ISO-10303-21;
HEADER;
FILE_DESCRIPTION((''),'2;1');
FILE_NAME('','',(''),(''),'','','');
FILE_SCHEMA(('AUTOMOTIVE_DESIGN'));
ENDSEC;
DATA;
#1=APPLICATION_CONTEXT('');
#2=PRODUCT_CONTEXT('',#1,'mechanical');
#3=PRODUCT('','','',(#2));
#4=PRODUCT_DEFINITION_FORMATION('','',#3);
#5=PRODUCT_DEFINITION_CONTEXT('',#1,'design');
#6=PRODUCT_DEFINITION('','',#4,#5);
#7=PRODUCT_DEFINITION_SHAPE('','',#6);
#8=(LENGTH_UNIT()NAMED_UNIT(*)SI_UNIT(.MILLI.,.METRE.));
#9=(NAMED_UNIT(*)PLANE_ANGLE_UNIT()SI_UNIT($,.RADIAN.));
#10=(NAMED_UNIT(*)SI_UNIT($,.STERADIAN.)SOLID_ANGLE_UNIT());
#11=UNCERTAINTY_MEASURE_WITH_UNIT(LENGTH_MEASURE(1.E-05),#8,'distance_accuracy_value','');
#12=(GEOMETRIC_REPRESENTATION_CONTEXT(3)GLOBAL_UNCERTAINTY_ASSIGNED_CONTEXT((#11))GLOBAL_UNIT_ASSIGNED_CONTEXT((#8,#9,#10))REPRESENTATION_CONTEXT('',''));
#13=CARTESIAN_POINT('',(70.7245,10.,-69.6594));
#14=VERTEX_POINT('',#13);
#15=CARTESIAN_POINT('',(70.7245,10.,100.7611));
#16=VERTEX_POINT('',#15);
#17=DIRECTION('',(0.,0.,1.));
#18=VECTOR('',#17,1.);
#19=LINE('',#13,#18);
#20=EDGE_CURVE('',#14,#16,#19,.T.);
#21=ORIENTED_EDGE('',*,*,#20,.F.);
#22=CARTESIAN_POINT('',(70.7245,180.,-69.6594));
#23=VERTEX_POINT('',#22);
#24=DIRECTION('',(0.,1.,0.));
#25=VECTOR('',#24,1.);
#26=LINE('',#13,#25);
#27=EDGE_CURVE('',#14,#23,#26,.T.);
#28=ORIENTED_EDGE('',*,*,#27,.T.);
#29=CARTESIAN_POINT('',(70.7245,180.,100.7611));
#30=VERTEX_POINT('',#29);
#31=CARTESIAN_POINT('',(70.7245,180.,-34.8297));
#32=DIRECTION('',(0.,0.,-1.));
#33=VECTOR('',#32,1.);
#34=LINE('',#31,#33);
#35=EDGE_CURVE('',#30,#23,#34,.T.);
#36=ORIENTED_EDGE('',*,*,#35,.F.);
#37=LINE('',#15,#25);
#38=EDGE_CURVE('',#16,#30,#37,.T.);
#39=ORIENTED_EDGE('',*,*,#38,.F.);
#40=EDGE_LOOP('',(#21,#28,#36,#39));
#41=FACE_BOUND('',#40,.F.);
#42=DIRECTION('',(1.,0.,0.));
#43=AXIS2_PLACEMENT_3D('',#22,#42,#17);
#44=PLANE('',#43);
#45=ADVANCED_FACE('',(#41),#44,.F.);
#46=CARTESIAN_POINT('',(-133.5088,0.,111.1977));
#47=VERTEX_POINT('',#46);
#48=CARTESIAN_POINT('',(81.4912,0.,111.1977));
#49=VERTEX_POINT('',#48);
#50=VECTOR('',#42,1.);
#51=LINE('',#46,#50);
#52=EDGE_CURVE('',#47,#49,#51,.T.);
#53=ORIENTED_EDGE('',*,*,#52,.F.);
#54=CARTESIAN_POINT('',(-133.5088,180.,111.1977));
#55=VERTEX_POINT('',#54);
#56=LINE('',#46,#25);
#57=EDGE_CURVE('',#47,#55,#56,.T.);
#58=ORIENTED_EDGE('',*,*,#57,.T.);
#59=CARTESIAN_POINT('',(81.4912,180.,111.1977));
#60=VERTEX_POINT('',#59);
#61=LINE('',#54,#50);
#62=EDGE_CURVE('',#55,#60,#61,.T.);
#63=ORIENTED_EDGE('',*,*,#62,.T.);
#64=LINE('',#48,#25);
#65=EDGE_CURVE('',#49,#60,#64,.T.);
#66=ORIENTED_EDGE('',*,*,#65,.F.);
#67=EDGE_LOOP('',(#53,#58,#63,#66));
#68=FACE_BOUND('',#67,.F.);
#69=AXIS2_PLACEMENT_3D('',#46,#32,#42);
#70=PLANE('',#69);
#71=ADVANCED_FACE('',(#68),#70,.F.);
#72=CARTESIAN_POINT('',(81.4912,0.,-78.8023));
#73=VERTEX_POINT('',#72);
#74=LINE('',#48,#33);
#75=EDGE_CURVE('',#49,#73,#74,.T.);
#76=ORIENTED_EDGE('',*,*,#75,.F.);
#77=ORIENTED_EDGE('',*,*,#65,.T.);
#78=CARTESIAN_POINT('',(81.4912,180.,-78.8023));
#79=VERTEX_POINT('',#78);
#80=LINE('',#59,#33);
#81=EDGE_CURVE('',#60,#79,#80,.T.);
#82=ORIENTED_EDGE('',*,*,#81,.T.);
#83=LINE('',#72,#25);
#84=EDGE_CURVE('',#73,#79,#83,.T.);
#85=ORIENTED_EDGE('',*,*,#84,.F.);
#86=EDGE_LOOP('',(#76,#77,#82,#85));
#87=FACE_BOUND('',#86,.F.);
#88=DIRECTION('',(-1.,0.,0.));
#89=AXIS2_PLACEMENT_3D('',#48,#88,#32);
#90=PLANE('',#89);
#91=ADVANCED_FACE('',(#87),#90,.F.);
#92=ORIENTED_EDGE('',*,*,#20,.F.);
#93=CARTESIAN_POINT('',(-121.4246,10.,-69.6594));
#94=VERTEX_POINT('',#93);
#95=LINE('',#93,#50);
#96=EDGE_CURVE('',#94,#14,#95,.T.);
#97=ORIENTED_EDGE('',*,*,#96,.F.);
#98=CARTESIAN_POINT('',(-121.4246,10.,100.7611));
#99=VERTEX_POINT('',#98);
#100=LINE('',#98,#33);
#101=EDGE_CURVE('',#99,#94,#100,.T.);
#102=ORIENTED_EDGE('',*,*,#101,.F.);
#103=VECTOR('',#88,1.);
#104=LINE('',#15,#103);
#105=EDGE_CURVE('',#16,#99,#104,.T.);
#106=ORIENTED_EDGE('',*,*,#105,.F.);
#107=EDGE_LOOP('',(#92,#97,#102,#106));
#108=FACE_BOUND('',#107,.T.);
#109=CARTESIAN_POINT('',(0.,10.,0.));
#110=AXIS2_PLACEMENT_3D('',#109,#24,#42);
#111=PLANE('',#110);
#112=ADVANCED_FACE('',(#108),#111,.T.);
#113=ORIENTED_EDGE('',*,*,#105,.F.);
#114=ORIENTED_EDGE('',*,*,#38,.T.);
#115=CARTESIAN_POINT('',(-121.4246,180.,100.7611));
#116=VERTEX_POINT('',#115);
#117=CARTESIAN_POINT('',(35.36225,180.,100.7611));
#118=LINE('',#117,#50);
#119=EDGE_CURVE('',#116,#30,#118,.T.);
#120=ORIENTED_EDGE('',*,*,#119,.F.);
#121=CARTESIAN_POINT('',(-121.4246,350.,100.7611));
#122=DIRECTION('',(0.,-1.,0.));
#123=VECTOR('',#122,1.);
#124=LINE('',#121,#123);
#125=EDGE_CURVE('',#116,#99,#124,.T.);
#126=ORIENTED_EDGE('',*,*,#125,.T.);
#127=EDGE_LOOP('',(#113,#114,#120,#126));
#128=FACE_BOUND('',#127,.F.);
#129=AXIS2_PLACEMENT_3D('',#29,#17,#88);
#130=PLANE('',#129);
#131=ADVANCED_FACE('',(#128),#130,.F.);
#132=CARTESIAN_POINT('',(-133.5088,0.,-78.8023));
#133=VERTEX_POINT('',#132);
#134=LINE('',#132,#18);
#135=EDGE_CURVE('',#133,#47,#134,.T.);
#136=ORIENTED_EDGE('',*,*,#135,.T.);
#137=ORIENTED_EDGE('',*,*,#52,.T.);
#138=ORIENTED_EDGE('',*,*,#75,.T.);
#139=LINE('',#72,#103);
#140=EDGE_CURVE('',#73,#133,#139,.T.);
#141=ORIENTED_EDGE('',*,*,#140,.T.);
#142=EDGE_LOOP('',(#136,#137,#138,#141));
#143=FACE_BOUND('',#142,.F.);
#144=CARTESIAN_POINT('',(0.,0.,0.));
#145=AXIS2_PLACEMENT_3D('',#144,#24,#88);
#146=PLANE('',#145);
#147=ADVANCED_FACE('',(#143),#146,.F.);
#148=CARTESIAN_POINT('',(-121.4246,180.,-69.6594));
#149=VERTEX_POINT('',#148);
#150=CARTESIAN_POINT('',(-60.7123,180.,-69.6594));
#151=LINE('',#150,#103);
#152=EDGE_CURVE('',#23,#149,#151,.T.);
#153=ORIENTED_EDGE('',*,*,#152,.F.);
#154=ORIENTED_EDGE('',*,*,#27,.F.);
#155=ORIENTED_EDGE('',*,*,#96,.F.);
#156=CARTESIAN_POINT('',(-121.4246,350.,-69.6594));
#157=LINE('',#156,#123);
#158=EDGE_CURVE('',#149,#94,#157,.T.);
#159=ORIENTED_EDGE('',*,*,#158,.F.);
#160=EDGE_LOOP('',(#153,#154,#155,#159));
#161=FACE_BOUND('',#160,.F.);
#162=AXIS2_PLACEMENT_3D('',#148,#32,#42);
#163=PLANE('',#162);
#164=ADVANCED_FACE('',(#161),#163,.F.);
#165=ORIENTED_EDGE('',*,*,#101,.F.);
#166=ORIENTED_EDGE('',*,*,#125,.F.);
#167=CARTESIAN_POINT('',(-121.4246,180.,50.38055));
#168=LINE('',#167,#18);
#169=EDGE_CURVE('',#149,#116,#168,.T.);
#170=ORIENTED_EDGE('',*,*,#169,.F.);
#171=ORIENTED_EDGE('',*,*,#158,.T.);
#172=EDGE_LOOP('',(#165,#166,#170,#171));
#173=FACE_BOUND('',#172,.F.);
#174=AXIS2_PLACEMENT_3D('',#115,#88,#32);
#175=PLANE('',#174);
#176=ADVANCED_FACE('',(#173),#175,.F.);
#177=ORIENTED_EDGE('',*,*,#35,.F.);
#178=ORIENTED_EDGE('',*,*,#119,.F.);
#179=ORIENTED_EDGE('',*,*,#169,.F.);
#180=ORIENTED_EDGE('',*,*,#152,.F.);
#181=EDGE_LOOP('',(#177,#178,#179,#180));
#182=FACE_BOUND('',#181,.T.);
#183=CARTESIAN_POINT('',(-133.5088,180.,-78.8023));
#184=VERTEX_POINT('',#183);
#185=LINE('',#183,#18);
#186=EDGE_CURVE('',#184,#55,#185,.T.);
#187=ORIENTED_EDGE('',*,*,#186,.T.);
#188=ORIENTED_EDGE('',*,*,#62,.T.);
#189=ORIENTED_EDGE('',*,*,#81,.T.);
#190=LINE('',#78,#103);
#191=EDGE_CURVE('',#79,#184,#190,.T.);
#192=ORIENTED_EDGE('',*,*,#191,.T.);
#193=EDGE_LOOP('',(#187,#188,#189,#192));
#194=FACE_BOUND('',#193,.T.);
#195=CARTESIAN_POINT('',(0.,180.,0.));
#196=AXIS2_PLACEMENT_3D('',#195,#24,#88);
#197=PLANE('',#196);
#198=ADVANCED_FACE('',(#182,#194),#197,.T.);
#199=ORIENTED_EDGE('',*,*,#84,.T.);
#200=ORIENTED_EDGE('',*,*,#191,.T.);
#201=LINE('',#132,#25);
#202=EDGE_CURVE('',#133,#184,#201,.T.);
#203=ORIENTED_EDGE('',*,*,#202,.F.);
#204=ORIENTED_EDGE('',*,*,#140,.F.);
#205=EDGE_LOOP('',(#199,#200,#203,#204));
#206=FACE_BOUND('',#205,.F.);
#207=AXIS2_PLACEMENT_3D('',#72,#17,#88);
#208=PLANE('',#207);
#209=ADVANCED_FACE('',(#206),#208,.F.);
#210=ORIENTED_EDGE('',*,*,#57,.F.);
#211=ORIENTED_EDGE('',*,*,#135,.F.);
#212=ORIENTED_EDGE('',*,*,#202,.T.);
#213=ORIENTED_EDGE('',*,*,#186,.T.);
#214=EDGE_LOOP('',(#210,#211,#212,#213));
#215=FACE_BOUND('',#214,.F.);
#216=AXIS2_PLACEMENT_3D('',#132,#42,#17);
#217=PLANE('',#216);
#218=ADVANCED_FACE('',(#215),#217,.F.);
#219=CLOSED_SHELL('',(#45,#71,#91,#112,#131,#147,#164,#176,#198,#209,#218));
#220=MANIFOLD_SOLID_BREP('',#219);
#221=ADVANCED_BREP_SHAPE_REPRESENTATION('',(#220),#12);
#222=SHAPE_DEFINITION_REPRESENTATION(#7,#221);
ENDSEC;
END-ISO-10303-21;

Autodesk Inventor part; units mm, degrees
ref_plane "YZ Plane" through (0, 0, 0) normal (1, 0, 0) x (0, 1, 0)
ref_plane "XZ Plane" through (0, 0, 0) normal (0, 1, 0) x (-1, 0, 0)
ref_plane "XY Plane" through (0, 0, 0) normal (0, 0, 1) x (1, 0, 0)
sketch "Sketch1" plane through (0, 0, 0) normal (0, 1, 0) x (-1, 0, 0)
  line L0 (-81.4912, -78.8023) -> (133.5088, -78.8023)
  line L1 (133.5088, -78.8023) -> (133.5088, 111.1977)
  line L2 (133.5088, 111.1977) -> (-81.4912, 111.1977)
  line L3 (-81.4912, 111.1977) -> (-81.4912, -78.8023)
  point P0 (0, 0)
  dimension "d0" = 190
  dimension "d1" = 215
extrude "Extrusion1" add sketch "Sketch1" along normal blind 180
sketch "Sketch2" plane through (0, 180, 0) normal (0, 1, 0) x (1, 0, 0)
  line L0 (70.7245, -100.7611) -> (-121.4246, -100.7611)
  line L1 (-121.4246, -100.7611) -> (-121.4246, 69.6594)
  line L2 (-121.4246, 69.6594) -> (70.7245, 69.6594)
  line L3 (70.7245, 69.6594) -> (70.7245, -100.7611)
  point P0 (0, 0)
extrude "Extrusion2" cut sketch "Sketch2" along normal mid plane 340
properties part number "tray2"
